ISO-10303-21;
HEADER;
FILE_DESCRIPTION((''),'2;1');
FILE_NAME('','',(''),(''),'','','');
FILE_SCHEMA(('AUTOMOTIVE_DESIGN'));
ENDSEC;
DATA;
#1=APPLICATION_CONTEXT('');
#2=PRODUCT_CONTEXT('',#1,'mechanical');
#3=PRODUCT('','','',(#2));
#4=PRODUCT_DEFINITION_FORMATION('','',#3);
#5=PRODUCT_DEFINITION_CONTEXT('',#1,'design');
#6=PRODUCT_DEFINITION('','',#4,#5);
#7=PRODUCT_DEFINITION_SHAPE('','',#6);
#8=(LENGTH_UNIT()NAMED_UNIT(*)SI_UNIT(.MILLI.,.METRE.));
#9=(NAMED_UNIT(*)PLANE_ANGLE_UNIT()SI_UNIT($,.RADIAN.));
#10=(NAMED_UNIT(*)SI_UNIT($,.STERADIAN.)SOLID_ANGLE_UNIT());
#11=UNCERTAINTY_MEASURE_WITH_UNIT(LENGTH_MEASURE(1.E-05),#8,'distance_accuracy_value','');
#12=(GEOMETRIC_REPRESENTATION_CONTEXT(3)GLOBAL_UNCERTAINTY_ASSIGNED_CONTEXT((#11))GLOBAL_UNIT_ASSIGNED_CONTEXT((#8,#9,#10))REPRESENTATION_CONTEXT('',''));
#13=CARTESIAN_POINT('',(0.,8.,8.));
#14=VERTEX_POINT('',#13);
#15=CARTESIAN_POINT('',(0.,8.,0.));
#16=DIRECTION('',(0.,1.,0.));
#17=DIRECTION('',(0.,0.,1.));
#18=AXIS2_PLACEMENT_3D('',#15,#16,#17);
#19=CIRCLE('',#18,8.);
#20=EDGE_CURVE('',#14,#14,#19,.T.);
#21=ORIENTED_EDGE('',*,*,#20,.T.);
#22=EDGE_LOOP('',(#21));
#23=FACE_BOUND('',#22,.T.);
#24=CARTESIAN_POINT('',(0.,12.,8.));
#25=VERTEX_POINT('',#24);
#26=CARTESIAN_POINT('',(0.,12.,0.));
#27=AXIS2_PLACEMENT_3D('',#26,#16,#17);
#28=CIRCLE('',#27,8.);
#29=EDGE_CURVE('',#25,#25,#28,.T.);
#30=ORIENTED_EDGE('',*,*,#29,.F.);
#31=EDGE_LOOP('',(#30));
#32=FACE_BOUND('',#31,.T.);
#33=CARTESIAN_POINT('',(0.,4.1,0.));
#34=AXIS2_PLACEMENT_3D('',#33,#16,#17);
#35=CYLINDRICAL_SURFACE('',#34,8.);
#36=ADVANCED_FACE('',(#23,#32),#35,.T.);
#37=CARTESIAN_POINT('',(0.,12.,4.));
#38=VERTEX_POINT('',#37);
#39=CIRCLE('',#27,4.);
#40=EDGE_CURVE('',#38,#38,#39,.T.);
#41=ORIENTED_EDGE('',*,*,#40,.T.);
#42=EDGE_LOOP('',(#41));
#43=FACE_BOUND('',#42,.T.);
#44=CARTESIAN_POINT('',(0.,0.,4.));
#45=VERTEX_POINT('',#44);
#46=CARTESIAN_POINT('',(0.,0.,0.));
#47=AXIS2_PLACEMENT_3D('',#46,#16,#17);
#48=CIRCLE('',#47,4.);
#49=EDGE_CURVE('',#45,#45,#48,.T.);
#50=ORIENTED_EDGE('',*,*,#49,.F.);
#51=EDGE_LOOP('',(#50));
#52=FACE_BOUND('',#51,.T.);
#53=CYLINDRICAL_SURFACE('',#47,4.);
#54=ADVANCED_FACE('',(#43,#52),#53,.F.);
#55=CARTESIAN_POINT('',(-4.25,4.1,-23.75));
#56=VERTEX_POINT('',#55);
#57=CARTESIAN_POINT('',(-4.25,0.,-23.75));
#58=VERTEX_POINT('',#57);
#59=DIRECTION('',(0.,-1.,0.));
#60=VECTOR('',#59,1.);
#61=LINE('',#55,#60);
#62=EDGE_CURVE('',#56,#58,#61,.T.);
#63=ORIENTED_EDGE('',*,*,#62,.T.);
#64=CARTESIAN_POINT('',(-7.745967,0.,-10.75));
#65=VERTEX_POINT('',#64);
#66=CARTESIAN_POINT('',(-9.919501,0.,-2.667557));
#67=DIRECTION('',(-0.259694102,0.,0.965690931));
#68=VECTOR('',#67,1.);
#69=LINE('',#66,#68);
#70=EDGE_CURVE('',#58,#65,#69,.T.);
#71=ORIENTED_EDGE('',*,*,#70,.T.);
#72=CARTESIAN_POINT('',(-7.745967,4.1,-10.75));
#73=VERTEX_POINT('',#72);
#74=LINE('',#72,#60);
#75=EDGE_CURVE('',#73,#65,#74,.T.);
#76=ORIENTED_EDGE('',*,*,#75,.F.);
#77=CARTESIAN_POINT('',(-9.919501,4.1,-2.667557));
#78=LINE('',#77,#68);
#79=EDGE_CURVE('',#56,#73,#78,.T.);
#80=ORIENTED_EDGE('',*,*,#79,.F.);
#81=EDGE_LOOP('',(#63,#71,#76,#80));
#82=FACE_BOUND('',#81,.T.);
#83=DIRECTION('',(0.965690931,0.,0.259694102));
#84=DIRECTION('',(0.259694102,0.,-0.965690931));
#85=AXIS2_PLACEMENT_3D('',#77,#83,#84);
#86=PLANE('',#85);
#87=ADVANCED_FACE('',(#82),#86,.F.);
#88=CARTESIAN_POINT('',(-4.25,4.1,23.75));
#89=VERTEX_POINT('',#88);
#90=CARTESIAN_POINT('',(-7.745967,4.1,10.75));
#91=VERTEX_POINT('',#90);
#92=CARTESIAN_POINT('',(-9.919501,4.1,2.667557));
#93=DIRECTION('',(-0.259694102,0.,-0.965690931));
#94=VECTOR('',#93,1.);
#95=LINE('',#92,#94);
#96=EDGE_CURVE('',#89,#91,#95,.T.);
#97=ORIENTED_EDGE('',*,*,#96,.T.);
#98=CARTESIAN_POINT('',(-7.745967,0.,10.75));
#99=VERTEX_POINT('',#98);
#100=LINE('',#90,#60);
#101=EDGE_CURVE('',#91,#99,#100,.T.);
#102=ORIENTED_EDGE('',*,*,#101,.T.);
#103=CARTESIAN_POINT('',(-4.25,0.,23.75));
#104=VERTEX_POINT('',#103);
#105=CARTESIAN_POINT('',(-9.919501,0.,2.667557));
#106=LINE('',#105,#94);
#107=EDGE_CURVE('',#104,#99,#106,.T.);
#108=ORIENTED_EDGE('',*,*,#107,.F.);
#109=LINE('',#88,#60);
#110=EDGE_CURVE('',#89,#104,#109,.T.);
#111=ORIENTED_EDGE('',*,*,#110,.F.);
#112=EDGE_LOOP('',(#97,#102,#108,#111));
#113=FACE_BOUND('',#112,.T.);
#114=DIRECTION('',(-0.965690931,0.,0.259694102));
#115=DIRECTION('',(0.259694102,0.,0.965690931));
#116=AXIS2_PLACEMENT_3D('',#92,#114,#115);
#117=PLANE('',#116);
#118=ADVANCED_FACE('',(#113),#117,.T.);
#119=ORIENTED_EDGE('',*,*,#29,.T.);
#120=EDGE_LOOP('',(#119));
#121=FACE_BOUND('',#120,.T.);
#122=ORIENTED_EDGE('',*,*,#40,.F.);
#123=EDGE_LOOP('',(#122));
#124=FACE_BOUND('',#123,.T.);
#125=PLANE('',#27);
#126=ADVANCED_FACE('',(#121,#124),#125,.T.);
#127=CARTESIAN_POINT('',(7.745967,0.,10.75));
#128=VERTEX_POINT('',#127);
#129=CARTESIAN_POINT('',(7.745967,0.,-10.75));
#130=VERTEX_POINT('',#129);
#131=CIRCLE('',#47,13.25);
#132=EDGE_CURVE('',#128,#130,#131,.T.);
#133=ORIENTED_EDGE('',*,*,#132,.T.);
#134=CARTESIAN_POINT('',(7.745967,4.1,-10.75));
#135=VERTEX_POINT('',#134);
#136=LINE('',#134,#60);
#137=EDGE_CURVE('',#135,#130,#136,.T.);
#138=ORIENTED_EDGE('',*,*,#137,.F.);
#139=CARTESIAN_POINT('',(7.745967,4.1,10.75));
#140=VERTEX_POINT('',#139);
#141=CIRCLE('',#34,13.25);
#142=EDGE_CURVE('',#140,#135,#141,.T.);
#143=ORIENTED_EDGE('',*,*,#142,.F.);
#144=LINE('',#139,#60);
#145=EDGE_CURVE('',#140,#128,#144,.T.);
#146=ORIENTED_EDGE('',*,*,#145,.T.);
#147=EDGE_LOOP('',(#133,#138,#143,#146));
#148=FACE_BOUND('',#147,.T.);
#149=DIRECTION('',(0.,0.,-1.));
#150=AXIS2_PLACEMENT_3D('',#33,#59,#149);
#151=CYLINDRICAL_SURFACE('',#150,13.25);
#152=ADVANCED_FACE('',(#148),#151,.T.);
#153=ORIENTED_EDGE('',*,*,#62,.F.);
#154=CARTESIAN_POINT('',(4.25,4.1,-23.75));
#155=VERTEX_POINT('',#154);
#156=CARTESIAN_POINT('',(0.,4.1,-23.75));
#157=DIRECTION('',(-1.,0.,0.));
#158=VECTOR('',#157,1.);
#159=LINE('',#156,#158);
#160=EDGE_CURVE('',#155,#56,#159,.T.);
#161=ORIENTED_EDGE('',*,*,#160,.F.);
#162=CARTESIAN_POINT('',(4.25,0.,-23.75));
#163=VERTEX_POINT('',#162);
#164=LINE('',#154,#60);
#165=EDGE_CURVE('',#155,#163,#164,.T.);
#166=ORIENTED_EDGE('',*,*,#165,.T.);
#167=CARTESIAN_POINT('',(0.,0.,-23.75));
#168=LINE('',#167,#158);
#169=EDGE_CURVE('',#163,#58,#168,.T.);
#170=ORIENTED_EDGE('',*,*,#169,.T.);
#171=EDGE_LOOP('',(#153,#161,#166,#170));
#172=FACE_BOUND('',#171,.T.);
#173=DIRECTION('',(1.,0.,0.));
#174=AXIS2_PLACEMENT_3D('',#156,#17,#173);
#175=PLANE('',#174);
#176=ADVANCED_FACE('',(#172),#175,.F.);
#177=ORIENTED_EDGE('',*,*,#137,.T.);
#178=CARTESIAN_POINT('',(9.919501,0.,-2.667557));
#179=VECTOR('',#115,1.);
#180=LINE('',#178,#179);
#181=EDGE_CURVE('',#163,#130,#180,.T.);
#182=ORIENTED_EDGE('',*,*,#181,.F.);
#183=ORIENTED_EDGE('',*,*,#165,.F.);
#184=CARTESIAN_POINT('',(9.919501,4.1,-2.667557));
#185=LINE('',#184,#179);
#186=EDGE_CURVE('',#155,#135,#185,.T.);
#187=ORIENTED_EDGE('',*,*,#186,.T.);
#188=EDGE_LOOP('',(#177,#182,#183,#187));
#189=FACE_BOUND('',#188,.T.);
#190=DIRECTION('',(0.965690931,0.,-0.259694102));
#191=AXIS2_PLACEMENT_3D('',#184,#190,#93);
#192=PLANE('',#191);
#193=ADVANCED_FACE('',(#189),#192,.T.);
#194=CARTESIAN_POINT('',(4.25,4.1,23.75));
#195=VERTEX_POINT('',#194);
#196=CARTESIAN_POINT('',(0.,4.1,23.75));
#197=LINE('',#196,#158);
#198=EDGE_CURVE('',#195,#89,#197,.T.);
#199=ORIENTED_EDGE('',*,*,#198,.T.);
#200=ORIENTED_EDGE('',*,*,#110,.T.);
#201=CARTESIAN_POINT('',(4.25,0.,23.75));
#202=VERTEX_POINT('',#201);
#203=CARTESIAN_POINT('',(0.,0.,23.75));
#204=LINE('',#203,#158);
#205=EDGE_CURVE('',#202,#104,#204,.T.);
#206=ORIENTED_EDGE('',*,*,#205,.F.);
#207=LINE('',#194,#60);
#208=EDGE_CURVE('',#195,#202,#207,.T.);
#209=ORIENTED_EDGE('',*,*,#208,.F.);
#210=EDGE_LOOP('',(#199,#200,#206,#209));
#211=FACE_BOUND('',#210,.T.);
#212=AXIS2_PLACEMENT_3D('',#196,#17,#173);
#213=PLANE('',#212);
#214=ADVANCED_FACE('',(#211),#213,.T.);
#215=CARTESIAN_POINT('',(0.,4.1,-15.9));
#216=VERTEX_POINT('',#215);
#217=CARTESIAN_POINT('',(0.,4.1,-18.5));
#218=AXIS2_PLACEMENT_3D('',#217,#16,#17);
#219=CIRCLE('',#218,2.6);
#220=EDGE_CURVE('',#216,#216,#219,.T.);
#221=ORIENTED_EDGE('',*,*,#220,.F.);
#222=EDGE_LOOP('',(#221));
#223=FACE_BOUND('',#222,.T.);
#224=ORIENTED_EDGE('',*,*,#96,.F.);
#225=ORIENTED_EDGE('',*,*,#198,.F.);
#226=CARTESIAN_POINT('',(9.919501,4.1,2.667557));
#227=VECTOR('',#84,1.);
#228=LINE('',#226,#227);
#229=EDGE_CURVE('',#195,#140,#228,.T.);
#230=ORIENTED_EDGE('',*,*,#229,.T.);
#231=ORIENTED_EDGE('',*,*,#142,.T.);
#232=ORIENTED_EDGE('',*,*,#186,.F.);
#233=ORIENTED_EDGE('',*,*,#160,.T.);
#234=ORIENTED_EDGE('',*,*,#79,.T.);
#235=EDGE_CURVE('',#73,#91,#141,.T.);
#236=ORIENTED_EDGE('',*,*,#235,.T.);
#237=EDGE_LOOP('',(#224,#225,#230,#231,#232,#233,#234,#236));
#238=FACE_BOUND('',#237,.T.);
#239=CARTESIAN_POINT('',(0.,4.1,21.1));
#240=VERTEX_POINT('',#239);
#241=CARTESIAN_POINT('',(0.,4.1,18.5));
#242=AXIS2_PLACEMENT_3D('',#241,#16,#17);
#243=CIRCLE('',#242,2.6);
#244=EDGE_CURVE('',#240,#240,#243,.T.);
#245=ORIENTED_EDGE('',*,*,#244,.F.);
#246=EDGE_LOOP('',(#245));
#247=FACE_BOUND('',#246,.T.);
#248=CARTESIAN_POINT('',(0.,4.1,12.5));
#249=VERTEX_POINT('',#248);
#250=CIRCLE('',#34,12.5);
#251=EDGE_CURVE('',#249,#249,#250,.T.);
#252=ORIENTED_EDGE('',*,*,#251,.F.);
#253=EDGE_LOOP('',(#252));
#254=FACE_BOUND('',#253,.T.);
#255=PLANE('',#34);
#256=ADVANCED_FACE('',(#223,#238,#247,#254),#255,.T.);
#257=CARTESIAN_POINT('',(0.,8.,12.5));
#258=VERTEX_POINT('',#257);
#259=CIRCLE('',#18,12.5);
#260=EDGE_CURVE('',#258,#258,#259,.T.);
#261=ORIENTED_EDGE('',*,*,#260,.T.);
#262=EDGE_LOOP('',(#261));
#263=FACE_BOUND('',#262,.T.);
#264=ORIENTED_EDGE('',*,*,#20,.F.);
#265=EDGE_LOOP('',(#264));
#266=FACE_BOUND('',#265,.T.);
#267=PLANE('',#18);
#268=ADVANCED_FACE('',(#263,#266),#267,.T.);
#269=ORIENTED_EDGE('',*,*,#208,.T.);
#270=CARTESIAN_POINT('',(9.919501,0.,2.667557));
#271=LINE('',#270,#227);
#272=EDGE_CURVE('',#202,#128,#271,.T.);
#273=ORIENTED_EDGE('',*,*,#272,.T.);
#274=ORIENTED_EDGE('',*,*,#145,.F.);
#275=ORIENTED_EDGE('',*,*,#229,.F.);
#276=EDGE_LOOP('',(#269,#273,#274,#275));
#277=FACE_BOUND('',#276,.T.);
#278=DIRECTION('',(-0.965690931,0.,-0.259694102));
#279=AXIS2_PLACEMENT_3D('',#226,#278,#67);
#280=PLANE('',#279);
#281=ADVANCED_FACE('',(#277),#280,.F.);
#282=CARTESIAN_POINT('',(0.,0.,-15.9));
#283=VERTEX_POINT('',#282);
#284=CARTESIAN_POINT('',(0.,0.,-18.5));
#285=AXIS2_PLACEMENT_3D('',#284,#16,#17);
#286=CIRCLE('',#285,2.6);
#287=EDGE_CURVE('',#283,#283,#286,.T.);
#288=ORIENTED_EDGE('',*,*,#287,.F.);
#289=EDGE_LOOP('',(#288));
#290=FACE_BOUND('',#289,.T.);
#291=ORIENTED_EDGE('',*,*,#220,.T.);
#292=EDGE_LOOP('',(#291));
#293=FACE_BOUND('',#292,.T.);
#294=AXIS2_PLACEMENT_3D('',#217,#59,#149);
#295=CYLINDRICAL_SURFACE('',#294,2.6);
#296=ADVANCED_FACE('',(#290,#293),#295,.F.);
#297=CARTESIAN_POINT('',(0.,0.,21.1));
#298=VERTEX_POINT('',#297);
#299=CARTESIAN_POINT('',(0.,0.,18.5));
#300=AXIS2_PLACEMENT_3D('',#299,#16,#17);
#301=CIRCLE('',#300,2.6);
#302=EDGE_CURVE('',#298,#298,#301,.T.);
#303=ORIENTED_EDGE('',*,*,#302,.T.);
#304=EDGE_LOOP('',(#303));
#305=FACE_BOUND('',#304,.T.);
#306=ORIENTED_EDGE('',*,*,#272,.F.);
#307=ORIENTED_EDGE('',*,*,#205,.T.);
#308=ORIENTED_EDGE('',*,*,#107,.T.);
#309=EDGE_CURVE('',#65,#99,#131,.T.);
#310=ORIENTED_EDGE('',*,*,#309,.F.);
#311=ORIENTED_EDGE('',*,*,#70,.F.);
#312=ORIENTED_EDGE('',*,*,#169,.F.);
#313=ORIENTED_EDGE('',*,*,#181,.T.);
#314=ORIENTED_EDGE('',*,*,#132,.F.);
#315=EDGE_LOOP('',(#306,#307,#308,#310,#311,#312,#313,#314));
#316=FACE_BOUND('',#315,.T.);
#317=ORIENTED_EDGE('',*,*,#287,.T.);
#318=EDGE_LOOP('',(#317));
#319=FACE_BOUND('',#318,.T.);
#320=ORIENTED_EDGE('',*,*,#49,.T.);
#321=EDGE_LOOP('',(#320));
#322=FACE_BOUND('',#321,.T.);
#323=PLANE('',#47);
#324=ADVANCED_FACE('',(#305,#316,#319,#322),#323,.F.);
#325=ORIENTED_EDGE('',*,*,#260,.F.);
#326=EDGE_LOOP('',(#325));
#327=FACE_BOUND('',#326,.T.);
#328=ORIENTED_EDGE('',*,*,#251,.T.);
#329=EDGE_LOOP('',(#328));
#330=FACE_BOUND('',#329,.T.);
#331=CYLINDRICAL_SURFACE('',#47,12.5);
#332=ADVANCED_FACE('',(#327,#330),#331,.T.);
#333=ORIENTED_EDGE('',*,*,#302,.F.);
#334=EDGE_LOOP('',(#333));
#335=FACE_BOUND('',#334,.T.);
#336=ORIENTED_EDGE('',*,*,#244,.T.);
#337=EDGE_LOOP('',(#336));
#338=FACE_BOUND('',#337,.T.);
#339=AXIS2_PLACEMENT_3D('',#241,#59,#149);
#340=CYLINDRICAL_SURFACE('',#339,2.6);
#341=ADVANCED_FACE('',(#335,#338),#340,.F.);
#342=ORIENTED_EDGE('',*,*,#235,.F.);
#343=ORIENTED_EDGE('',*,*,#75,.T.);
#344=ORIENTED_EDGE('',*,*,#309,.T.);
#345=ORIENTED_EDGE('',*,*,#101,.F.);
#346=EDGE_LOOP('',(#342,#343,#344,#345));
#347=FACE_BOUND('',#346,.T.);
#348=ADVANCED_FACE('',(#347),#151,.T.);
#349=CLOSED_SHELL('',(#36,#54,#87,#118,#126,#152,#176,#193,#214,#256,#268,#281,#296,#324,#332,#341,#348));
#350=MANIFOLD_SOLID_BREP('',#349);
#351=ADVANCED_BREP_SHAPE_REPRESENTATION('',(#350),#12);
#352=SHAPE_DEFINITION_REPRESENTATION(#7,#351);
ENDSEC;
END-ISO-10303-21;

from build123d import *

# Parameters (mm, degrees)
SKETCH1_R                = 13.25
SKETCH1_R_2              = 2.6
BOSS_EXTRUDE1_DEPTH      = 4.1
BOSS_EXTRUDE2_DEPTH      = 3.9
BOSS_EXTRUDE2_DEPTH_BACK = 4.1
SKETCH2_R                = 12.5
BOSS_EXTRUDE3_DEPTH      = 4
BOSS_EXTRUDE3_DEPTH_BACK = 3.9
SKETCH3_R                = 8
SKETCH4_R                = 4
CUT_EXTRUDE1_DEPTH       = 30.725830518


with BuildPart() as part:
    # Sketch1 → Boss-Extrude1 (new body)
    # profile 1 of 3: a face of its own
    with BuildSketch(Plane(origin=(0, 0, 0), x_dir=(1, 0, 0), z_dir=(0, 1, 0))):
        Circle(SKETCH1_R)
    # profile 2 of 3: a face of its own
    with BuildSketch(Plane(origin=(0, 0, 0), x_dir=(1, 0, 0), z_dir=(0, 1, 0))):
        with BuildLine():
            Line((7.745966692, 10.75), (4.25, 23.75))
            Line((4.25, 23.75), (-4.25, 23.75))
            Line((-4.25, 23.75), (-7.745966692, 10.75))
            ThreePointArc((-7.745966692, 10.75), (0, 13.25), (7.745966692, 10.75))
        make_face()
        with Locations(Location((0, 18.5, 0), (0, 0, 270))):
            Circle(SKETCH1_R_2, mode=Mode.SUBTRACT)
    # profile 3 of 3: a face of its own
    with BuildSketch(Plane(origin=(0, 0, 0), x_dir=(1, 0, 0), z_dir=(0, 1, 0))):
        with BuildLine():
            Line((4.25, -23.75), (7.745966692, -10.75))
            ThreePointArc((7.745966692, -10.75), (0, -13.25), (-7.745966692, -10.75))
            Line((-7.745966692, -10.75), (-4.25, -23.75))
            Line((-4.25, -23.75), (4.25, -23.75))
        make_face()
        with Locations(Location((0, -18.5, 0), (0, 0, 270))):
            Circle(SKETCH1_R_2, mode=Mode.SUBTRACT)
    extrude(amount=BOSS_EXTRUDE1_DEPTH)

    # Sketch2 → Boss-Extrude2 (add, two sides: drawn at the far end of the back side and taken through both)
    with BuildSketch(Plane(origin=(0, 4.1, 0), x_dir=(1, 0, 0), z_dir=(0, 1, 0)).offset(-BOSS_EXTRUDE2_DEPTH_BACK)):
        with Locations(Location((0, 0, 0), (0, 0, 270))):
            Circle(SKETCH2_R)
    extrude(amount=BOSS_EXTRUDE2_DEPTH + BOSS_EXTRUDE2_DEPTH_BACK)

    # Sketch3 → Boss-Extrude3 (add, two sides: drawn at the far end of the back side and taken through both)
    with BuildSketch(Plane(origin=(0, 8, 0), x_dir=(1, 0, 0), z_dir=(0, 1, 0)).offset(-BOSS_EXTRUDE3_DEPTH_BACK)):
        with Locations(Location((0, 0, 0), (0, 0, 270))):
            Circle(SKETCH3_R)
    extrude(amount=BOSS_EXTRUDE3_DEPTH + BOSS_EXTRUDE3_DEPTH_BACK)

    # Sketch4 → Cut-Extrude1 (cut, through all)
    with BuildSketch(Plane(origin=(0, 12, 0), x_dir=(1, 0, 0), z_dir=(0, 1, 0))):
        with Locations(Location((0, 0, 0), (0, 0, 270))):
            Circle(SKETCH4_R)
    extrude(amount=-CUT_EXTRUDE1_DEPTH, mode=Mode.SUBTRACT)


solid = part.part
